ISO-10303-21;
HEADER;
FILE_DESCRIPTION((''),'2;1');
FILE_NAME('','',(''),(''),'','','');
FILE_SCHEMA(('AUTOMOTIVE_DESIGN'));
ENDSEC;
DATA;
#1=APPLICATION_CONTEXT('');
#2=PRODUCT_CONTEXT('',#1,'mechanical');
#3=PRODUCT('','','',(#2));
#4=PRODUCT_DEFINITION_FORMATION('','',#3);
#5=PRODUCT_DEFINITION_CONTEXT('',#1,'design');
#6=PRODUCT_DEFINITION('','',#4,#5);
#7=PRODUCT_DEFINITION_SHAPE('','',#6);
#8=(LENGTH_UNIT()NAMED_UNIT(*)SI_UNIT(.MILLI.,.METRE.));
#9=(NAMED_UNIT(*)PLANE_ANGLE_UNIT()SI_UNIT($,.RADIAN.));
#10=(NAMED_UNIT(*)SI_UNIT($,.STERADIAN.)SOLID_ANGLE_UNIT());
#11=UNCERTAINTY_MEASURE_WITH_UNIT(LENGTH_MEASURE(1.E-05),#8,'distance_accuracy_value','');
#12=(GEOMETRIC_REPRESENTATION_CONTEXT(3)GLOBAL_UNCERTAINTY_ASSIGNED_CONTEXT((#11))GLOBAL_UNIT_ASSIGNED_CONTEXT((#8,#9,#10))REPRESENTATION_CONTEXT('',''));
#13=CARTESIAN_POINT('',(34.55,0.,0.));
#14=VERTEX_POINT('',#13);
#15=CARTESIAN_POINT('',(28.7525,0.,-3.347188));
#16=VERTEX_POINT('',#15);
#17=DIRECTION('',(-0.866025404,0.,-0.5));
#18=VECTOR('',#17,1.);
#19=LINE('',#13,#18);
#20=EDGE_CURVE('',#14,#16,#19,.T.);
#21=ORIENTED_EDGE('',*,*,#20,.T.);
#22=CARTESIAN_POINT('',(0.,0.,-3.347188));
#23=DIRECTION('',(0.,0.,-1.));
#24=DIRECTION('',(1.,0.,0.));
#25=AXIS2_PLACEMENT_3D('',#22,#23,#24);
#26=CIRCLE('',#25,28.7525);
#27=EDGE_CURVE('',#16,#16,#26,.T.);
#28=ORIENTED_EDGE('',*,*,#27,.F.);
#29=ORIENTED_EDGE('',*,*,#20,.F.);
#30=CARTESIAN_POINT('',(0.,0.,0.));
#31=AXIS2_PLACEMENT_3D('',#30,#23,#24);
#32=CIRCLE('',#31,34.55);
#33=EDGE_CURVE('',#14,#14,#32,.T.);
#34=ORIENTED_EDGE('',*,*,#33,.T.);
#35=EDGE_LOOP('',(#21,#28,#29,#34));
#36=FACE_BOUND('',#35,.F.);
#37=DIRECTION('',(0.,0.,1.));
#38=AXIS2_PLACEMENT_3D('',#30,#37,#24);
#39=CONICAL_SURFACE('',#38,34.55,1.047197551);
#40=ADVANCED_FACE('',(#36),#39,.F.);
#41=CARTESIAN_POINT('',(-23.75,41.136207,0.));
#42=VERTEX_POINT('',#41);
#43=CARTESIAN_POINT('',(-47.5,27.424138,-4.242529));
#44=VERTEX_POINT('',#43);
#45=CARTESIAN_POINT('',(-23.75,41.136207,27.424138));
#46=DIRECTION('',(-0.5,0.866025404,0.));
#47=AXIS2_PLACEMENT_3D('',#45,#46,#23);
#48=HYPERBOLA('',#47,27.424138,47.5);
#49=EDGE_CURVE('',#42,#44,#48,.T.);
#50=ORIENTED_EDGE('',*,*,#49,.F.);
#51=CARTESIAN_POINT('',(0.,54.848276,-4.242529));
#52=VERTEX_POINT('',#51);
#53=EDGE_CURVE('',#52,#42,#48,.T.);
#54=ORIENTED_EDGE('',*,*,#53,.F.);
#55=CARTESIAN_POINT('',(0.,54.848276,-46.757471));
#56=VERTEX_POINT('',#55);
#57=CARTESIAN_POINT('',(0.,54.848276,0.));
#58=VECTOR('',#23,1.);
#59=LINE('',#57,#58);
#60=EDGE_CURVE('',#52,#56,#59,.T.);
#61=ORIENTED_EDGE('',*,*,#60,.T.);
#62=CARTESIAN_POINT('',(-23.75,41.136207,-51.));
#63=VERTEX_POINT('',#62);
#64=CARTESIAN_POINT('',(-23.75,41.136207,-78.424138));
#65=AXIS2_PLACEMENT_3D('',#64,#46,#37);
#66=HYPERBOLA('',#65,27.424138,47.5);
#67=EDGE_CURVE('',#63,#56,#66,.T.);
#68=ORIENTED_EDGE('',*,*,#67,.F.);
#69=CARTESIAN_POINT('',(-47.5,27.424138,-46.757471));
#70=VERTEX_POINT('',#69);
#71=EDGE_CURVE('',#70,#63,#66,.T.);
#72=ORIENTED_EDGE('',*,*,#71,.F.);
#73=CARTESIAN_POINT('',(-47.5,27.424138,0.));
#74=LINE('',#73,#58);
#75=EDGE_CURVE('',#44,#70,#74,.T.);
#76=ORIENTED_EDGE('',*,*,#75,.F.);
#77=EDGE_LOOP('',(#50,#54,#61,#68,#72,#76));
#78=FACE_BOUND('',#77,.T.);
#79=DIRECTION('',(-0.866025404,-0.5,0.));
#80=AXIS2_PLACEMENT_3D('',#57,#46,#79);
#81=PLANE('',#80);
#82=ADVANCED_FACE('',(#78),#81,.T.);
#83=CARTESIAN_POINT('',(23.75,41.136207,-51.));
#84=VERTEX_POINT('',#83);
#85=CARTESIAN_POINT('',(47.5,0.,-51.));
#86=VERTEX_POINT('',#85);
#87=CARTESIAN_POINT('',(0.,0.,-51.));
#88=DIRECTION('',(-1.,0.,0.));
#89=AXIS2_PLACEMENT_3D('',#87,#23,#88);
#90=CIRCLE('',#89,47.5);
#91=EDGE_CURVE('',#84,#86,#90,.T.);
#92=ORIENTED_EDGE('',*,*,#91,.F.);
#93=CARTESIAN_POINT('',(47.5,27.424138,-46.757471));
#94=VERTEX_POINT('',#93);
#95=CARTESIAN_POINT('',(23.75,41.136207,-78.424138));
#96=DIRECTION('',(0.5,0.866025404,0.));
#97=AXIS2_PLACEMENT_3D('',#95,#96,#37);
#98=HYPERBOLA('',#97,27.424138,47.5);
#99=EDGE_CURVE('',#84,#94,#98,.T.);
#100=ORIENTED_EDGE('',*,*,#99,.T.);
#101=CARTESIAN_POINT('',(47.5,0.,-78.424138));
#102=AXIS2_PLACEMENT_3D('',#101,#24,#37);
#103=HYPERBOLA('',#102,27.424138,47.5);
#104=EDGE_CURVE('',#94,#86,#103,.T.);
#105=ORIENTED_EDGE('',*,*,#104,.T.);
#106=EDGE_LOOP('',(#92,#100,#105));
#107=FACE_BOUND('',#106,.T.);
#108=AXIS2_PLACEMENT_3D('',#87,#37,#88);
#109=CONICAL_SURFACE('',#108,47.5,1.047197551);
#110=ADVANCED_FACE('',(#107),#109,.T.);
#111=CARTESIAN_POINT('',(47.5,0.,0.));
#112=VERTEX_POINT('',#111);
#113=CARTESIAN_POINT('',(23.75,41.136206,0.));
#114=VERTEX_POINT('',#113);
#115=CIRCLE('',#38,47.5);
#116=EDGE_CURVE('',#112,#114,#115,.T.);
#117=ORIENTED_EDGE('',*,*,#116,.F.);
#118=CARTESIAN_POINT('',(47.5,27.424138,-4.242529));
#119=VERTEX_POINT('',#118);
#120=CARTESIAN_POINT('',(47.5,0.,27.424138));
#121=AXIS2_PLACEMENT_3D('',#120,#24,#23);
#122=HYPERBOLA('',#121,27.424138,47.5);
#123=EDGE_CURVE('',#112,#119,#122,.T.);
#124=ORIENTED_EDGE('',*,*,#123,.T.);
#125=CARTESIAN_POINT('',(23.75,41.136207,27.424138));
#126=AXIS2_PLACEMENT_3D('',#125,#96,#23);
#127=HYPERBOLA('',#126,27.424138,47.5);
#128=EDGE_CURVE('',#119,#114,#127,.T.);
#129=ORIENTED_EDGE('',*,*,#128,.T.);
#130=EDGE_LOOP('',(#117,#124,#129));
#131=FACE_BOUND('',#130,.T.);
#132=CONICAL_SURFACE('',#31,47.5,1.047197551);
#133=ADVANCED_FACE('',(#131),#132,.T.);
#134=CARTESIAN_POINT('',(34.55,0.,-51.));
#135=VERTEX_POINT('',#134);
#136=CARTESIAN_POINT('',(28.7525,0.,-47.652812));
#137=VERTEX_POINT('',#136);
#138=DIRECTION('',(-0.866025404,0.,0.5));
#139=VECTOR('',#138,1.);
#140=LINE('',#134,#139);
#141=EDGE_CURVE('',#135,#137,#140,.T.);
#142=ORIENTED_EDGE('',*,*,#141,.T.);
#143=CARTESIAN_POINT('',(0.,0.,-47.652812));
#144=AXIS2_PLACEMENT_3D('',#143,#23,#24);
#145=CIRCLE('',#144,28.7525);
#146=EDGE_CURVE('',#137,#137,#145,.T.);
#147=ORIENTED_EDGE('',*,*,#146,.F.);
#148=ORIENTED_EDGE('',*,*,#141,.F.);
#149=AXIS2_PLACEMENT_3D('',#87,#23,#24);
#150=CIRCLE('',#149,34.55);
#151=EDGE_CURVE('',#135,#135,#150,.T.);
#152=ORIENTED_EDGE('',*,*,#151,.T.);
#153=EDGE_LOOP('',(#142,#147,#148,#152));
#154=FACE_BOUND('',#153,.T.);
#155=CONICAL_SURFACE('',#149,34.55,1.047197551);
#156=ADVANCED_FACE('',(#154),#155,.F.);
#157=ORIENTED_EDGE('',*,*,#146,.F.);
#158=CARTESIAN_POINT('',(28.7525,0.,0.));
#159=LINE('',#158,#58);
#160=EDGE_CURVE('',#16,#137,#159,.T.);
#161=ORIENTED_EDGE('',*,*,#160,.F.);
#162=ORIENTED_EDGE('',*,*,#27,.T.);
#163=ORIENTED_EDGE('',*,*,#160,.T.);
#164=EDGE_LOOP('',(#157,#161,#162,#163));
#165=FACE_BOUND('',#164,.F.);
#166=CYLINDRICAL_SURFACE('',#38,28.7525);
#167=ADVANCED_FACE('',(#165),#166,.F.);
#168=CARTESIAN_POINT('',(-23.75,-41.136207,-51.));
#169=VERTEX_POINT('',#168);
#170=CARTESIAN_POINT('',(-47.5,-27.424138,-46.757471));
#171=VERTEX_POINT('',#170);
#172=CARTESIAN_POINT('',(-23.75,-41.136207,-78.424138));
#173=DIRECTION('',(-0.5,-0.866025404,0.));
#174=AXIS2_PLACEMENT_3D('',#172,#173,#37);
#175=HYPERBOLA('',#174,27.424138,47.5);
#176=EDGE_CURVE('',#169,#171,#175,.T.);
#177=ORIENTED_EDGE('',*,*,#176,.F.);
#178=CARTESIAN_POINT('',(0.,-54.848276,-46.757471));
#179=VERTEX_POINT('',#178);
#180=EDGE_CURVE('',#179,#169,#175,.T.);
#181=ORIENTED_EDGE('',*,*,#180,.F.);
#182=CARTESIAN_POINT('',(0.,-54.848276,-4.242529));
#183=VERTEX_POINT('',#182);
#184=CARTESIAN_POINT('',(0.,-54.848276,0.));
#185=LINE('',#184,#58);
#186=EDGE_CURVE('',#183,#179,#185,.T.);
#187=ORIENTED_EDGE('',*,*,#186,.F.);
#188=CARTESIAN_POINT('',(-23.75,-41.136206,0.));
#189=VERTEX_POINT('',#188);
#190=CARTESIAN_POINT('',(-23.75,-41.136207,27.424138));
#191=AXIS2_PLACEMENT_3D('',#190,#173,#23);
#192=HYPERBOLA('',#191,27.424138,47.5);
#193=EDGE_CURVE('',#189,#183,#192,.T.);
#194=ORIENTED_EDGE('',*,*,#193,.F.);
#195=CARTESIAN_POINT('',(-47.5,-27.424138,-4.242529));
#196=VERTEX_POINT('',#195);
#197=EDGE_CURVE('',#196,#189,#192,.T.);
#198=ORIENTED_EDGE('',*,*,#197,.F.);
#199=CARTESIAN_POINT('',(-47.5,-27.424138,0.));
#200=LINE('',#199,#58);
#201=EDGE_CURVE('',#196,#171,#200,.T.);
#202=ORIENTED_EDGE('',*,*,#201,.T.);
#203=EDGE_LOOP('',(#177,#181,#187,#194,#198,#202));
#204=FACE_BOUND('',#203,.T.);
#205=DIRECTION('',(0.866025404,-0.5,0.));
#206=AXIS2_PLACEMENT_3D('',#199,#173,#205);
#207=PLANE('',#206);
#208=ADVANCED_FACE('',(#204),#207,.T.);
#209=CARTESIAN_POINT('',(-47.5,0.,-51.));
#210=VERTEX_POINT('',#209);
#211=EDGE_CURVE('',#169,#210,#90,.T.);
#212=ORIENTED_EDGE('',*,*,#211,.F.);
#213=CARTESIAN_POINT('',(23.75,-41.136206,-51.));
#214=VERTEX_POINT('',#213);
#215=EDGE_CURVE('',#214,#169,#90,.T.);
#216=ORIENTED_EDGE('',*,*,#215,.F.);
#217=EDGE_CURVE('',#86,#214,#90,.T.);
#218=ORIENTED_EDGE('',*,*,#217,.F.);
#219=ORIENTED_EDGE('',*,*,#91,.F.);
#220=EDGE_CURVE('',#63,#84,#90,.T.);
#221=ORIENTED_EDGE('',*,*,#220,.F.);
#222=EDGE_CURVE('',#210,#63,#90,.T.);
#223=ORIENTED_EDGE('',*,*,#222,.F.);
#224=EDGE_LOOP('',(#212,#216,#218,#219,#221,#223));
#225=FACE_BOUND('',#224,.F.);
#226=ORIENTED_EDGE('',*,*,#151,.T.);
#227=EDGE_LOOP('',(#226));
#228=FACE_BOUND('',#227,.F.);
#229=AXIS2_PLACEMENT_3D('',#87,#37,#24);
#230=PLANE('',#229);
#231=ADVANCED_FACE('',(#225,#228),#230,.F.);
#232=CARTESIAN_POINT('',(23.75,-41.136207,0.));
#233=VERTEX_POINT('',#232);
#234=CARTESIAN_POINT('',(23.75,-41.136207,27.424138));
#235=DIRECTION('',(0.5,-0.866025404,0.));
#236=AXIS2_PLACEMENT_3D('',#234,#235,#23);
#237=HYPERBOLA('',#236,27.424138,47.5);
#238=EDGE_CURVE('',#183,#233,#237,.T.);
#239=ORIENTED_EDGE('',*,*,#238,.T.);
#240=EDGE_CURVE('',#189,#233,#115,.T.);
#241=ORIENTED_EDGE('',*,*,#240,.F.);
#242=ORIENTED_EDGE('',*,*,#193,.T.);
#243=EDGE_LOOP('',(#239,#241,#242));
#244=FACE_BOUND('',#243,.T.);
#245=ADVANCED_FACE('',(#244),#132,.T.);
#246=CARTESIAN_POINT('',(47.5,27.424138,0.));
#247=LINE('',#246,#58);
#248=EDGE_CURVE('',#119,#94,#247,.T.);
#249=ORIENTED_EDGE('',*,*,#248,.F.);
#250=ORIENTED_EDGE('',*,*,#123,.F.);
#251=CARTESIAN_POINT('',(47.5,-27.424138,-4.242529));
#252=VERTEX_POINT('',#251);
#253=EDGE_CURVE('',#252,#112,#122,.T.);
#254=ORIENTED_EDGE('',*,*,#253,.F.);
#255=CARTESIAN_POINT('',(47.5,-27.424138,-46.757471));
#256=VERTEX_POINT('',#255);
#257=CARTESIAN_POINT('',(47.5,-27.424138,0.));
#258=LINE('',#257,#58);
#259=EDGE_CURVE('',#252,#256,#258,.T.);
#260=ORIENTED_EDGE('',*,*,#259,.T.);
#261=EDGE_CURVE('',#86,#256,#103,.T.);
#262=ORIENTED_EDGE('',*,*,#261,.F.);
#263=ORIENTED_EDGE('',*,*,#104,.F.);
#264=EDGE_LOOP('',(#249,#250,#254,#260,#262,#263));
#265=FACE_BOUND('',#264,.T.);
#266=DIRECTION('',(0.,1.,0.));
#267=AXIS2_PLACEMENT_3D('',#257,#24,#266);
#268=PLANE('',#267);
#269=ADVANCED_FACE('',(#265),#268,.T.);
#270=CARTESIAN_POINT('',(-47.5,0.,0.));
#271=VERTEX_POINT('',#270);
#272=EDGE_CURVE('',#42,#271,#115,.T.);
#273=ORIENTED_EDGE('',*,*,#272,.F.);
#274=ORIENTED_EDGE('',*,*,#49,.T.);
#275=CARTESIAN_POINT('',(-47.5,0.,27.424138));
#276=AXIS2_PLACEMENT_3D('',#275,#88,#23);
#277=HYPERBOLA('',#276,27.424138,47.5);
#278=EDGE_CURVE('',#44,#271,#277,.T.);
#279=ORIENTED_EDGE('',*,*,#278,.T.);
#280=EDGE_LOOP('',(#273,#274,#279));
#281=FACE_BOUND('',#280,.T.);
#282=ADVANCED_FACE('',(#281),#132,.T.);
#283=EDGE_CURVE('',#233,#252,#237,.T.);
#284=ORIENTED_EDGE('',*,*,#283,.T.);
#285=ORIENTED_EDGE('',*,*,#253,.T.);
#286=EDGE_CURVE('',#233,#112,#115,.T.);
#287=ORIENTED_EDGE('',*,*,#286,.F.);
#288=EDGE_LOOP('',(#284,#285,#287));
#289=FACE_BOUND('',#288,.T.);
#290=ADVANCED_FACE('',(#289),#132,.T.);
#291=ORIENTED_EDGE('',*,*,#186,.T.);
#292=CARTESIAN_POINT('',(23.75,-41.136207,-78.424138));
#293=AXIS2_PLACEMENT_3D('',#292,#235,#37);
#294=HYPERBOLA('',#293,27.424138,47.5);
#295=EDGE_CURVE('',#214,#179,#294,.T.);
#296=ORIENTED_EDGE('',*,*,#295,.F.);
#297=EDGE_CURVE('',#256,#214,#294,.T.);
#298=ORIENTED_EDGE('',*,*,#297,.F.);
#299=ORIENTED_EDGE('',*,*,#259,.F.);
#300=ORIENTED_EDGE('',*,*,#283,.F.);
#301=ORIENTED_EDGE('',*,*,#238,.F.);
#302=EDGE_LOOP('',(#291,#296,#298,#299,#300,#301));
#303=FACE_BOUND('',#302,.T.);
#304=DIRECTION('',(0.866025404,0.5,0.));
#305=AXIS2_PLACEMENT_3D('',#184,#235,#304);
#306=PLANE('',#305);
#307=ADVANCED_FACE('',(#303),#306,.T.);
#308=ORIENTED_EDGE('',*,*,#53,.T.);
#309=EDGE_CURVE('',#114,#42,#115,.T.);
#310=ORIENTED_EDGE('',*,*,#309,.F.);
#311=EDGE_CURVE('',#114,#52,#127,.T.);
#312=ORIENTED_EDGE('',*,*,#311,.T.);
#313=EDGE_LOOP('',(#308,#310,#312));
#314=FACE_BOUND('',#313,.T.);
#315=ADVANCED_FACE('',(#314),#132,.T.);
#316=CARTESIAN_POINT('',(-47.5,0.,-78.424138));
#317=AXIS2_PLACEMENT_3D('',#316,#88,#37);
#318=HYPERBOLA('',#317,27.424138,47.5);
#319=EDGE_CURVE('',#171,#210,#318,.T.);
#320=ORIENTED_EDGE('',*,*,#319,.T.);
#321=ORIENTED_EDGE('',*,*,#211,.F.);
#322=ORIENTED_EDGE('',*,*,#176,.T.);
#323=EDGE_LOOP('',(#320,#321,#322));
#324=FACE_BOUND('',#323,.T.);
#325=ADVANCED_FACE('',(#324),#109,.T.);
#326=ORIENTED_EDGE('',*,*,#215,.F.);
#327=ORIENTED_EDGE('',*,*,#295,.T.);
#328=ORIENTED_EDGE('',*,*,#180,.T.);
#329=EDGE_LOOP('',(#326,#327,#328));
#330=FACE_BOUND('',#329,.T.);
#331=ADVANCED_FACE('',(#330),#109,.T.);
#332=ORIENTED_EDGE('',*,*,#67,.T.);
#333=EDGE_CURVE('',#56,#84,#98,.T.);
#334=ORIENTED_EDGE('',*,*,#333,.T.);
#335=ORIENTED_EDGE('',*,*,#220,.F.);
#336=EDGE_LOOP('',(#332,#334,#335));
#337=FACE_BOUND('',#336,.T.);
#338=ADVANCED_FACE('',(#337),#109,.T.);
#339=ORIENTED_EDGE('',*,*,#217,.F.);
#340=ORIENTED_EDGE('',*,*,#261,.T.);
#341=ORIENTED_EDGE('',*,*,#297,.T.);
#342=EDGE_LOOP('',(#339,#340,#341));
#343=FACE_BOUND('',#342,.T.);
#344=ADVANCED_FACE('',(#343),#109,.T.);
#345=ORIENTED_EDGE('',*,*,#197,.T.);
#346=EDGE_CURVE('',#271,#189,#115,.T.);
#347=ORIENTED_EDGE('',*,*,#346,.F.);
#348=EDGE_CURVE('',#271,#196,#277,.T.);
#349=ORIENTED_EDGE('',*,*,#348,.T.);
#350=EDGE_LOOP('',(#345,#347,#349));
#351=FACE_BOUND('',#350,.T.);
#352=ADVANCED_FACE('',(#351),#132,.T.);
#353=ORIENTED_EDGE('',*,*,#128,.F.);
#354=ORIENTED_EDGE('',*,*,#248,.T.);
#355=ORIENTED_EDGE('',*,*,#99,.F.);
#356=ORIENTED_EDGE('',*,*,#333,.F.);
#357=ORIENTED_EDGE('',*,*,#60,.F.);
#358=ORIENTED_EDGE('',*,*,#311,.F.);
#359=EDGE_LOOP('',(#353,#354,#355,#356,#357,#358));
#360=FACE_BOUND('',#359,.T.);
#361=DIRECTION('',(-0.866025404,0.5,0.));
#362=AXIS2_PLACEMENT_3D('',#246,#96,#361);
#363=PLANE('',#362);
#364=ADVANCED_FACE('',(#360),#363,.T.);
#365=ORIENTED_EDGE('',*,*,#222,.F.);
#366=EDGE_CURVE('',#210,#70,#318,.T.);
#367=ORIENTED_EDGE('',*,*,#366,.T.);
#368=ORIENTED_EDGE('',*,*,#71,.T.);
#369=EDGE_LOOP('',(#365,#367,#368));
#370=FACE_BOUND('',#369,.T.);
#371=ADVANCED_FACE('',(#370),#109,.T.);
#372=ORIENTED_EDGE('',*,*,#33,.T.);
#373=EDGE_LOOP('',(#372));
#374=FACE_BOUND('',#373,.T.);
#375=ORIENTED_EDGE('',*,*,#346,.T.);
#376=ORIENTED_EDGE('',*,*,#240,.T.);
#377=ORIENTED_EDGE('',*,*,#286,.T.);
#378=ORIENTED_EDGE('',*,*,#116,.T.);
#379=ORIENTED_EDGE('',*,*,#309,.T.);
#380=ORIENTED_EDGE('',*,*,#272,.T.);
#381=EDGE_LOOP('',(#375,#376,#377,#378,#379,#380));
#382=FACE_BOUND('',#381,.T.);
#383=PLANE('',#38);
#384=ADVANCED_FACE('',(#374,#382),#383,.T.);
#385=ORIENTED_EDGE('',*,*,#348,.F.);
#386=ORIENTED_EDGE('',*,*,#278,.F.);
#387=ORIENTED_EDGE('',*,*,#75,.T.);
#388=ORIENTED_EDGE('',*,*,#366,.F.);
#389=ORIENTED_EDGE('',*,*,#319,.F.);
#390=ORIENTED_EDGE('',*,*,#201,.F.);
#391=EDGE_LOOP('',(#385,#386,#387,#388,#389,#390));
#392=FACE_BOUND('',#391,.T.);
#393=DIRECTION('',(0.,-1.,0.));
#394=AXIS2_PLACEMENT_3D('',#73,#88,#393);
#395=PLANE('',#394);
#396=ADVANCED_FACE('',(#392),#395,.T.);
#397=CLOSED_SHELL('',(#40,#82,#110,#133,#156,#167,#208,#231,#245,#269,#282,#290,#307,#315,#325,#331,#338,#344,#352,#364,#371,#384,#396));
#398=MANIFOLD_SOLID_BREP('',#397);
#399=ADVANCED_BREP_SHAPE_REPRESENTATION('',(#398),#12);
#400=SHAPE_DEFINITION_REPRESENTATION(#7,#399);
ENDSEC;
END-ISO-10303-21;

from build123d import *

# Parameters (mm, degrees)
SKETCH_3_R          = 28.7525
EXTRUDE_1_DEPTH     = 51
SKETCH_5_R          = 78.645
SKETCH_5_R_2        = 47.5
CUT_EXTRUDE_1_DEPTH = 10.2
CUT_EXTRUDE_1_DRAFT = -60
SKETCH_7_R          = 78.645
SKETCH_7_R_2        = 47.5
CUT_EXTRUDE_2_DEPTH = 10.2
CUT_EXTRUDE_2_DRAFT = -60


with BuildPart() as part:
    # 草图3 → 凸台-拉伸1 (new body)
    with BuildSketch(Plane.XY):
        Polygon((0, 54.848275573), (-47.5, 27.424137787), (-47.5, -27.424137787), (0, -54.848275573), (47.5, -27.424137787), (47.5, 27.424137787), align=None)
        Circle(SKETCH_3_R, mode=Mode.SUBTRACT)
    extrude(amount=-EXTRUDE_1_DEPTH)

    # 草图4 → 切除-旋转1 (revolve, cut)
    with BuildSketch(Plane(origin=(0, 0, 0), x_dir=(0, 0, -1), z_dir=(1, 0, 0)), mode=Mode.PRIVATE) as cut_revolve_1_sk:
        Polygon((0, 34.55), (3.347188186, 28.7525), (3.347188186, 0), (0, 0), align=None)
        Polygon((51, 0), (51, 34.55), (47.652811814, 28.7525), (47.652811814, 0), align=None)
    revolve(cut_revolve_1_sk.sketch.rotate(Axis((0, 0, 0), (0, 0, -1)), 90), axis=Axis((0, 0, 0), (0, 0, -1)), mode=Mode.SUBTRACT)


with BuildPart() as cut_extrude_1_tool:
    # 草图5 → 切除-拉伸1 (with draft: the straight prism first)
    with BuildSketch(Plane.XY):
        Circle(SKETCH_5_R)
        Circle(SKETCH_5_R_2, mode=Mode.SUBTRACT)
    extrude(amount=-CUT_EXTRUDE_1_DEPTH)
    # 切除-拉伸1: the draft: its side faces are tilted about the plane it starts from
    cut_extrude_1_sides = [cut_extrude_1_tool.faces().sort_by_distance(p)[0] for p in [
        (-78.645, 0, -5.1),
        (-47.5, 0, -5.1),
    ]]
    draft(cut_extrude_1_sides, Plane.XY, CUT_EXTRUDE_1_DRAFT)


with BuildPart() as part_1:
    add(part.part)

    # 切除-拉伸1: cut by cut_extrude_1_tool
    add(cut_extrude_1_tool.part, mode=Mode.SUBTRACT)


with BuildPart() as cut_extrude_2_tool:
    # 草图7 → 切除-拉伸2 (with draft: the straight prism first)
    with BuildSketch(Plane(origin=(0, 0, -51), x_dir=(-1, 0, 0), z_dir=(0, 0, -1))):
        Circle(SKETCH_7_R)
        Circle(SKETCH_7_R_2, mode=Mode.SUBTRACT)
    extrude(amount=-CUT_EXTRUDE_2_DEPTH)
    # 切除-拉伸2: the draft: its side faces are tilted about the plane it starts from
    cut_extrude_2_sides = [cut_extrude_2_tool.faces().sort_by_distance(p)[0] for p in [
        (78.645, 0, -45.9),
        (47.5, 0, -45.9),
    ]]
    draft(cut_extrude_2_sides, Plane(origin=(0, 0, -51), x_dir=(-1, 0, 0), z_dir=(0, 0, -1)), CUT_EXTRUDE_2_DRAFT)


with BuildPart() as part_2:
    add(part_1.part)

    # 切除-拉伸2: cut by cut_extrude_2_tool
    add(cut_extrude_2_tool.part, mode=Mode.SUBTRACT)


solid = part_2.part
